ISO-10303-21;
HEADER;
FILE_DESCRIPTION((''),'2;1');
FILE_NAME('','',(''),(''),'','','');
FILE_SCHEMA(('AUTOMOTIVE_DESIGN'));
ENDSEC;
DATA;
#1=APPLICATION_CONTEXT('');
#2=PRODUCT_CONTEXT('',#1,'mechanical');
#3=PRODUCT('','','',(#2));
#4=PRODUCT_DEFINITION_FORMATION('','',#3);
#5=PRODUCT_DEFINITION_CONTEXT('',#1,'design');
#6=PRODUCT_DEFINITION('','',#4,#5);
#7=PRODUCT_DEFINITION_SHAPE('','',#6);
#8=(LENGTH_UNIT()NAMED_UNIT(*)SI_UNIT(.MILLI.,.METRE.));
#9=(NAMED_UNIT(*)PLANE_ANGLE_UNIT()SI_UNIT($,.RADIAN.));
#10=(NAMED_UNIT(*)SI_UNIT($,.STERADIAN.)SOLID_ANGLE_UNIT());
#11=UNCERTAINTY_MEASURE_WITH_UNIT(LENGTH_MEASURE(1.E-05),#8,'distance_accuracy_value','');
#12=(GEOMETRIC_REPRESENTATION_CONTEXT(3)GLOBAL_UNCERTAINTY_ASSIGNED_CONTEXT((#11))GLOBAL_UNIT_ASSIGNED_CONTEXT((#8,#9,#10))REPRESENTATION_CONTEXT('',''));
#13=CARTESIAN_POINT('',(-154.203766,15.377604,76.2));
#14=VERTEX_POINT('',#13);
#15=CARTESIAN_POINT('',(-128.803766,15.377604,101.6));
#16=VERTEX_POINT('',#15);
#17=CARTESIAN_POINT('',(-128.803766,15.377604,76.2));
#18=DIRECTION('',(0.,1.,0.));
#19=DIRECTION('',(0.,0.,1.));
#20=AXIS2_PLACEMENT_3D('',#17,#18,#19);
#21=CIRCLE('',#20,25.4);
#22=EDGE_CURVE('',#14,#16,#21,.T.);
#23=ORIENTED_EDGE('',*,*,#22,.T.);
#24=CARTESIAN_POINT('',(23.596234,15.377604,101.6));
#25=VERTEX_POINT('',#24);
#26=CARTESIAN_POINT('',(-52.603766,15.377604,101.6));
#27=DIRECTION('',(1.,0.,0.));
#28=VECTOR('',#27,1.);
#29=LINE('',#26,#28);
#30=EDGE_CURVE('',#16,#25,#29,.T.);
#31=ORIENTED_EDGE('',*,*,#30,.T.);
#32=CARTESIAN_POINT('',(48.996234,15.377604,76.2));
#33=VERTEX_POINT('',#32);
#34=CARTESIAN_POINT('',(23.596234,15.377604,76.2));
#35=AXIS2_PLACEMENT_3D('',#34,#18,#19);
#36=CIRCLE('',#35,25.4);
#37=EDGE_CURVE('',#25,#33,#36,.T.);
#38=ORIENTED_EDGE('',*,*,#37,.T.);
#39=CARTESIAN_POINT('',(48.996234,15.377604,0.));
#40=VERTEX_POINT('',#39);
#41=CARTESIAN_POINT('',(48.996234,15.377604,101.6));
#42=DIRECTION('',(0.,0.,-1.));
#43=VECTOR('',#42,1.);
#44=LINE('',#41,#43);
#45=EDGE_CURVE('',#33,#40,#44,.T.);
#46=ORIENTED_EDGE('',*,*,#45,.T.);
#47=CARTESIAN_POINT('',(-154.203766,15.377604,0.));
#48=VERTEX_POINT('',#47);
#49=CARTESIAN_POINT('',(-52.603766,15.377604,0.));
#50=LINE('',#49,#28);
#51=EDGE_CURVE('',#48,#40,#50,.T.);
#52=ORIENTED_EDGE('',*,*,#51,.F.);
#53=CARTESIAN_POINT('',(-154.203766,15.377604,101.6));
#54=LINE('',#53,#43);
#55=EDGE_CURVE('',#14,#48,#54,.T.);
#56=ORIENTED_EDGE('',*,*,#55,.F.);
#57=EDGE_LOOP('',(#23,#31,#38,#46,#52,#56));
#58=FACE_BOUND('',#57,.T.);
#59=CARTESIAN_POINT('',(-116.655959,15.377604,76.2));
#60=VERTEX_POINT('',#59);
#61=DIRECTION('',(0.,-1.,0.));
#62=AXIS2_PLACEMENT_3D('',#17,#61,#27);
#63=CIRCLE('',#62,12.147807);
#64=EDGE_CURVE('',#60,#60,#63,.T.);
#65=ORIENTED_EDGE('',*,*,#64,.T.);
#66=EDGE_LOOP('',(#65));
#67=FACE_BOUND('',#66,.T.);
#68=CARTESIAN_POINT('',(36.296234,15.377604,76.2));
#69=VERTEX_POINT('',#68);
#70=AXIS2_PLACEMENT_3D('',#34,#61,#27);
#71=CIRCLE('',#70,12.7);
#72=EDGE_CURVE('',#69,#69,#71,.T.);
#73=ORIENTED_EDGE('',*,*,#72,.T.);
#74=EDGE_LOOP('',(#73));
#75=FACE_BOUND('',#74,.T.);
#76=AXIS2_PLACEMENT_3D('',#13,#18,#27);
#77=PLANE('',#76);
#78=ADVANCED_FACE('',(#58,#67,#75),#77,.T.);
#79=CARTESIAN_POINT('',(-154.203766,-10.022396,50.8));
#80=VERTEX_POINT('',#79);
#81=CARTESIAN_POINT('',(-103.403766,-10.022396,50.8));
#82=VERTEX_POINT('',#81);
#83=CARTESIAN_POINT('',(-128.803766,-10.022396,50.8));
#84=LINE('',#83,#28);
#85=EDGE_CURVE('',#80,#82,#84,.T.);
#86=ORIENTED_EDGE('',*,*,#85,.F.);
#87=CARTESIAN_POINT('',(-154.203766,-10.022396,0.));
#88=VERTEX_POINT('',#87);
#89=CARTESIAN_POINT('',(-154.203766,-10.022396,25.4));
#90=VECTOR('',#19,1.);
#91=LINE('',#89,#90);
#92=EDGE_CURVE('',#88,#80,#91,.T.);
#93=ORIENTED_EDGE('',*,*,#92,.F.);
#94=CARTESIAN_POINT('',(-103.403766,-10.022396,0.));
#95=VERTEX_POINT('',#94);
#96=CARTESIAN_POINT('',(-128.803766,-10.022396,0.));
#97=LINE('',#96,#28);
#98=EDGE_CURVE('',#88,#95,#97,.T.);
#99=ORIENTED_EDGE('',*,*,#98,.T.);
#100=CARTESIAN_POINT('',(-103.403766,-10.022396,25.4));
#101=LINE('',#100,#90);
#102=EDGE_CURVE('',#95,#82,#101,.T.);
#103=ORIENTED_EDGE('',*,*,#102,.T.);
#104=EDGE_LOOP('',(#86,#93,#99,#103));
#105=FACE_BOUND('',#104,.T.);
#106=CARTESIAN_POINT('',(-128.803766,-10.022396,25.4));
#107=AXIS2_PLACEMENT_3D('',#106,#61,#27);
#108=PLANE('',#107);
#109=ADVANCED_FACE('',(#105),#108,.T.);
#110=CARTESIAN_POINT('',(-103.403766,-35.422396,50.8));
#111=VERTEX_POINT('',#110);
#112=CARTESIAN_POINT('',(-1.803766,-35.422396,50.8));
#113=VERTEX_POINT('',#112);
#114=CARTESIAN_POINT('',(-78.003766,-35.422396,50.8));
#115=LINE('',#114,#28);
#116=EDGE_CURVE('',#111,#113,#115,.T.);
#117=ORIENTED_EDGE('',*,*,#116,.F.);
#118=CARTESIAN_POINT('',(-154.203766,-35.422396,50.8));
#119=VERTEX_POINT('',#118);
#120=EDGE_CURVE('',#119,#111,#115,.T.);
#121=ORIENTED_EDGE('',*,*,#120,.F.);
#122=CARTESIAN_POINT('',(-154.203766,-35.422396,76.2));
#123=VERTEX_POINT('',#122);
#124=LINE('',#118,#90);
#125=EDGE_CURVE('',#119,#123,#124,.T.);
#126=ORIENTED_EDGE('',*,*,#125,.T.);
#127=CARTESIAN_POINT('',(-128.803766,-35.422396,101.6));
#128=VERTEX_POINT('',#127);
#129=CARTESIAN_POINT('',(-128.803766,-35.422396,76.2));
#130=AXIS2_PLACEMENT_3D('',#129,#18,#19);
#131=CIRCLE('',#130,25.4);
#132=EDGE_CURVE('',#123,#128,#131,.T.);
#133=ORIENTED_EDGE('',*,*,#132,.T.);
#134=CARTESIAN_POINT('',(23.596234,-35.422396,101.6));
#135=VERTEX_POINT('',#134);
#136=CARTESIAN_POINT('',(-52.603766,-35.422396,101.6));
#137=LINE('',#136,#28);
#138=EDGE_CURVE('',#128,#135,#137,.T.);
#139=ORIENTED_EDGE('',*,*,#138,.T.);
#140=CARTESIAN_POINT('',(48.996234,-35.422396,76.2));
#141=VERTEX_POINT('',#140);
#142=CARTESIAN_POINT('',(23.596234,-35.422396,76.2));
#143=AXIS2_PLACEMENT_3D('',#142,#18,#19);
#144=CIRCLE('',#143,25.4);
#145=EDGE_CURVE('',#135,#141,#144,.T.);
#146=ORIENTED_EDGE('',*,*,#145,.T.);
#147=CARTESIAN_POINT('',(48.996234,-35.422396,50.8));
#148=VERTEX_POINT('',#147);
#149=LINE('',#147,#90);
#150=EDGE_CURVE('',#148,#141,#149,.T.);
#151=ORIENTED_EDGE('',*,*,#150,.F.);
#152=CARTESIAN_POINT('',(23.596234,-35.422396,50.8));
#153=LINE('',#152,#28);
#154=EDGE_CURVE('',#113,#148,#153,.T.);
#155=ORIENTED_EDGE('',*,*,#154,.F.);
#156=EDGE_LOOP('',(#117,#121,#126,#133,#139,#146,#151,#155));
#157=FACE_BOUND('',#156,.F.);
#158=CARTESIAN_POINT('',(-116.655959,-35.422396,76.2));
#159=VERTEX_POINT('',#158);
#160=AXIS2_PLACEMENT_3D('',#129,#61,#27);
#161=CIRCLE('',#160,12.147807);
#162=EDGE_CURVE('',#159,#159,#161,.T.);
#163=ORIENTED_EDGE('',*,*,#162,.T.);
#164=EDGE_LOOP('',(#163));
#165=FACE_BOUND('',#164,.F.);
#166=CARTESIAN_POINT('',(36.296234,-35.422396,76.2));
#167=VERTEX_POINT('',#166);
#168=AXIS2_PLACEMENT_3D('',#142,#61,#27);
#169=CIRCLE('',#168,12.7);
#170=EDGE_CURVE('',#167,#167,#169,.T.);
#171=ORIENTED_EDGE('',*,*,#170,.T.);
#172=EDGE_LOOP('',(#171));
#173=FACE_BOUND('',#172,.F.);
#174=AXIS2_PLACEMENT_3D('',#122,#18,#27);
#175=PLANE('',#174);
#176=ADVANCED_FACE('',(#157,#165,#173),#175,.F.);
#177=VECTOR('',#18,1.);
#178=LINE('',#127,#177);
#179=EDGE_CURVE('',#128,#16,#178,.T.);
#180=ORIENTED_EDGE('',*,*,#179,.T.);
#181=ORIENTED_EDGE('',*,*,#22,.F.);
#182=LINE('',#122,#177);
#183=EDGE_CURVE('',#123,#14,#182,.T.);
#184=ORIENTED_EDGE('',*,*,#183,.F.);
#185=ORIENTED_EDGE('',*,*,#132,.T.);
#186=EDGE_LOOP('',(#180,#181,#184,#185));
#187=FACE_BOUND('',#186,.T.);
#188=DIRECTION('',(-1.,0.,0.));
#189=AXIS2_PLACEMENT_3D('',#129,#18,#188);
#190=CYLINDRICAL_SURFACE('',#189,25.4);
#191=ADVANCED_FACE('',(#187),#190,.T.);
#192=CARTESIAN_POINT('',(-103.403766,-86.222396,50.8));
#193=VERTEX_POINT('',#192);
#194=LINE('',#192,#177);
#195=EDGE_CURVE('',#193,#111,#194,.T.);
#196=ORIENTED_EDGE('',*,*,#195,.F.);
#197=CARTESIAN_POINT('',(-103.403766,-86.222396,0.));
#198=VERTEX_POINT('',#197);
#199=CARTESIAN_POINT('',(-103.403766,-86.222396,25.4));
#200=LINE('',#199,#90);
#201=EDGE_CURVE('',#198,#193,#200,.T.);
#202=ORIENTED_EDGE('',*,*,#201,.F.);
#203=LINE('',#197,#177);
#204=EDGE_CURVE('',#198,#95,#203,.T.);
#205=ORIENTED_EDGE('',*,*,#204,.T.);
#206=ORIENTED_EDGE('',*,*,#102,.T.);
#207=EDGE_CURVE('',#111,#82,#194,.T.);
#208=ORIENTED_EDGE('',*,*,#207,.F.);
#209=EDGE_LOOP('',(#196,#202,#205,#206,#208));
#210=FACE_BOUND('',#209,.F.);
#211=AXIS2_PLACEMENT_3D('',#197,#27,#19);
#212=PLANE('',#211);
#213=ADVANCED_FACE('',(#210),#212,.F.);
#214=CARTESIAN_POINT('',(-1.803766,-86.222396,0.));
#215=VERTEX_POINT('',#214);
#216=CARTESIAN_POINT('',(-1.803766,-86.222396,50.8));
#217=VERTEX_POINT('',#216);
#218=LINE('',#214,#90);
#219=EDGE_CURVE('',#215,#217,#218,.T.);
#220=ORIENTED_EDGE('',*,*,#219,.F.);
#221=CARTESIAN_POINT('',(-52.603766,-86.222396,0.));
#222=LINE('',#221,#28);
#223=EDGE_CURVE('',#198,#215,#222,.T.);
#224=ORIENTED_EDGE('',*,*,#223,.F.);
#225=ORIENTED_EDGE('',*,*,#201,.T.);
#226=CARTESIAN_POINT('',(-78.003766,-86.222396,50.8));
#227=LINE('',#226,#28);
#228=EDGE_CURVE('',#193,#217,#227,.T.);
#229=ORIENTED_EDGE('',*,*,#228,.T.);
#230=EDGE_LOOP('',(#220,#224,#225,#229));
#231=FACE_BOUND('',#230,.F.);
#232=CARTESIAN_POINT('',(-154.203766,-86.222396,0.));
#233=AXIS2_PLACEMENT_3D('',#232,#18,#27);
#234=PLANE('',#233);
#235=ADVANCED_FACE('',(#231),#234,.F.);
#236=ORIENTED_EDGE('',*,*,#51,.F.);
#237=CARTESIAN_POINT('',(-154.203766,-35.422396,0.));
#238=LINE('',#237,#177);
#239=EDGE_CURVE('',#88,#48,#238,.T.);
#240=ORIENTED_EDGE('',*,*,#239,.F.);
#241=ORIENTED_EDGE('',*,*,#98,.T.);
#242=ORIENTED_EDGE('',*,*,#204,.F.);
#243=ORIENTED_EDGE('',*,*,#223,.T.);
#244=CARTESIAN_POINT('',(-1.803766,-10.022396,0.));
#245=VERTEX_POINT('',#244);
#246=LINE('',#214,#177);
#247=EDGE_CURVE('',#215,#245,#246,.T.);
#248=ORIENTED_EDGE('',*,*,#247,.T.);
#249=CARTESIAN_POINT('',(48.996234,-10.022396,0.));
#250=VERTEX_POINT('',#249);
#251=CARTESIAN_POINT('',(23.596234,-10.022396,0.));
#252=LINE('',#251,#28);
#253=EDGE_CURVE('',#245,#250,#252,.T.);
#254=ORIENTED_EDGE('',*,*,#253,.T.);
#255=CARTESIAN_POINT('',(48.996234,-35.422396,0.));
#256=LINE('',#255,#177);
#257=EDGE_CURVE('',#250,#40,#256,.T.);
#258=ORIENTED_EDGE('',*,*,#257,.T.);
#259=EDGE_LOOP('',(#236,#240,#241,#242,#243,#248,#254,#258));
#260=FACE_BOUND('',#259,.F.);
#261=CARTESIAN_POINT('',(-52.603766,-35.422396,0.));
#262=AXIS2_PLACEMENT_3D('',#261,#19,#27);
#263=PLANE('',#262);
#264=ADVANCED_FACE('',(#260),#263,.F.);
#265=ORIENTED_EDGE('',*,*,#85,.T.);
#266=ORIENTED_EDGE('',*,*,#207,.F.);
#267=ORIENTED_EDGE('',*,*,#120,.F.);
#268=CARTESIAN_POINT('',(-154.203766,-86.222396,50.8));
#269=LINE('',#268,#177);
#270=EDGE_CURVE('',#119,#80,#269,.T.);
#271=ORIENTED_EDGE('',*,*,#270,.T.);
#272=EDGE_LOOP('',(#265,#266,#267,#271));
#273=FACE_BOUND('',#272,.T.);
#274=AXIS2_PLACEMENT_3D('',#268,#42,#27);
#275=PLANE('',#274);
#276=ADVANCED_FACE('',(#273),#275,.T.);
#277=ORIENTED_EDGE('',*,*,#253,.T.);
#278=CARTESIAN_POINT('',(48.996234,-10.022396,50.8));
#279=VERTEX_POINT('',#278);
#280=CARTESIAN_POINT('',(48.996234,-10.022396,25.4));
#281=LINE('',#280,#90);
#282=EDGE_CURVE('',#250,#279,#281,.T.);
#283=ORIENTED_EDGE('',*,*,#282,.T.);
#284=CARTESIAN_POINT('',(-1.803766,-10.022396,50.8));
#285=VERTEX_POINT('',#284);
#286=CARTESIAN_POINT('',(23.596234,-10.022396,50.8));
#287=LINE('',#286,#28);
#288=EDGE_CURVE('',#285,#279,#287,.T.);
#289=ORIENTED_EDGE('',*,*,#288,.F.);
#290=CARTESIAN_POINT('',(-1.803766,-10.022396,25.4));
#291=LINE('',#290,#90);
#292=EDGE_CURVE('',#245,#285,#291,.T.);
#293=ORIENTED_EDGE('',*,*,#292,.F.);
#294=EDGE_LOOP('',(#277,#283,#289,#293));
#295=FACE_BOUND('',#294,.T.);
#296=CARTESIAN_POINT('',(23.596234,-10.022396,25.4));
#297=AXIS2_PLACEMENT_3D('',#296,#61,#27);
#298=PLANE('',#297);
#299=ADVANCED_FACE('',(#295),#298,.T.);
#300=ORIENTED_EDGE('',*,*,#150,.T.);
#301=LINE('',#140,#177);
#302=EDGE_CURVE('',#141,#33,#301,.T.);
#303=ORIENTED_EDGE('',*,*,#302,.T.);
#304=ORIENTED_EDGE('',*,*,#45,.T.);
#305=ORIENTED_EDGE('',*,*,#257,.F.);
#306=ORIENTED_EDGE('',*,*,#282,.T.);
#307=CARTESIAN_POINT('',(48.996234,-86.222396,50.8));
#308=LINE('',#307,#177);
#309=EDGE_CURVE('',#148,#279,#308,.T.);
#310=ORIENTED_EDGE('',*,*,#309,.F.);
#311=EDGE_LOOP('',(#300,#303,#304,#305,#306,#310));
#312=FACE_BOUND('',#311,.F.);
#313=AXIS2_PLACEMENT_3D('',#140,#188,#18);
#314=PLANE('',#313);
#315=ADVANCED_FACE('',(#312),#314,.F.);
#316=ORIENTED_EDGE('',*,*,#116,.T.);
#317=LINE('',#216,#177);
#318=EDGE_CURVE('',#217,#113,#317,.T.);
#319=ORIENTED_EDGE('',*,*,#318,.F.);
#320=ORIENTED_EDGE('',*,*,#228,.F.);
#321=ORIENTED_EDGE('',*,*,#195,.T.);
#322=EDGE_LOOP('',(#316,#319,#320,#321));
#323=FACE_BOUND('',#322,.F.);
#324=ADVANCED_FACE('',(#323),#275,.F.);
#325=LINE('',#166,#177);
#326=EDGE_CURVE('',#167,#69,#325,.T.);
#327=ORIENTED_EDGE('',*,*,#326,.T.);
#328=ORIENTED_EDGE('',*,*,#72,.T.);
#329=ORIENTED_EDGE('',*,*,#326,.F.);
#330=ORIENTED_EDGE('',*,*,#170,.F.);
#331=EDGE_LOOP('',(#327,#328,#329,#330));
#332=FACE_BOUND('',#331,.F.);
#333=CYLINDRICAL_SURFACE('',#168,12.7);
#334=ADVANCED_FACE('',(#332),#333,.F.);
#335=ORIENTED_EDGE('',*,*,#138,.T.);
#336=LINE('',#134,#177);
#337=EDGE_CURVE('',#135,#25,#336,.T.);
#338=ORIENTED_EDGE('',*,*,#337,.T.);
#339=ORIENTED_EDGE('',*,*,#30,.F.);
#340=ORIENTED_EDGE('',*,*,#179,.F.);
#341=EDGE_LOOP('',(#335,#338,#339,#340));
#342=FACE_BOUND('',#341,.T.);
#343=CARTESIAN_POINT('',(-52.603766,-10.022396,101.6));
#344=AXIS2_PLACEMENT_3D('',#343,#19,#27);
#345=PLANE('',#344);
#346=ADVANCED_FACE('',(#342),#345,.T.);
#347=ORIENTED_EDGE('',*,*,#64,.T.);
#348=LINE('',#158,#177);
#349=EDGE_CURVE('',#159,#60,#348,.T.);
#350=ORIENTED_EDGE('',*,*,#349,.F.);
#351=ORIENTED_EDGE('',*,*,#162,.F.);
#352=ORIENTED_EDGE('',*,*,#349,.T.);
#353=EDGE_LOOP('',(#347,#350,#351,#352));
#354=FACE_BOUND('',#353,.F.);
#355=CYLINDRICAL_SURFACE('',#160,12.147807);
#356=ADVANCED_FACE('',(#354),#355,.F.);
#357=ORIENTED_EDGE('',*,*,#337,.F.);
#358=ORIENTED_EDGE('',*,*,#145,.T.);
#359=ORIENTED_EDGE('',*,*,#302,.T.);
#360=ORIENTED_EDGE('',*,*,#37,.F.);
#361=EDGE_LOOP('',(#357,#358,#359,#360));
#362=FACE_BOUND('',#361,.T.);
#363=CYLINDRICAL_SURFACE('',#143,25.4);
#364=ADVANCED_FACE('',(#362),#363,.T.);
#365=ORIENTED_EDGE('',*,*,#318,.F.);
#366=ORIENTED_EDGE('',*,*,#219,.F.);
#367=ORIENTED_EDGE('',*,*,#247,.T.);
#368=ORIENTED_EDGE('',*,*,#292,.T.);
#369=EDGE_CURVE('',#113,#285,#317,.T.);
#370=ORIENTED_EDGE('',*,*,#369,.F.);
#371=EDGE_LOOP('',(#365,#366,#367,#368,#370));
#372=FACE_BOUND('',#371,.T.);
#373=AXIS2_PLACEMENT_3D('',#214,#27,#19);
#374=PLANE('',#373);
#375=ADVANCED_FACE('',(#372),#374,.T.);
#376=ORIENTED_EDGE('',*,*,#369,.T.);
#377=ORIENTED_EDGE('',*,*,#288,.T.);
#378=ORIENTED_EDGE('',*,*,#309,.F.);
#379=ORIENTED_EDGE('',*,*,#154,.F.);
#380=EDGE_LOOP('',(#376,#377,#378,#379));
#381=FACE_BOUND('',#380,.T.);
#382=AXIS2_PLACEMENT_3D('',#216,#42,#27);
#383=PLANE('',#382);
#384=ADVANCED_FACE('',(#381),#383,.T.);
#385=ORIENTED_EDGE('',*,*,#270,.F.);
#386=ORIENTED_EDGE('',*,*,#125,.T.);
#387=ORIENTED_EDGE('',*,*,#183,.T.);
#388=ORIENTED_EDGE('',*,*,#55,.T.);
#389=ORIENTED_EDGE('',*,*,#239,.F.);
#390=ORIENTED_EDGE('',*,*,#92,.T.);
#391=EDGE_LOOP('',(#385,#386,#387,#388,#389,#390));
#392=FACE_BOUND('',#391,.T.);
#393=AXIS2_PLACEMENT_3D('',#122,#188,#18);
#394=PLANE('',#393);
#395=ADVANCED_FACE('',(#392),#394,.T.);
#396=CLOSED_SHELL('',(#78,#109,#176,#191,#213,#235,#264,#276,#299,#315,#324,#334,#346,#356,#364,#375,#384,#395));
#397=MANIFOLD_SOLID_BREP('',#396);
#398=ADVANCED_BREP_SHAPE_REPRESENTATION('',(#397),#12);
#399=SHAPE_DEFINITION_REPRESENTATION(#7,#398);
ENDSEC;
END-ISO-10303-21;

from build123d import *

# Parameters (mm, degrees)
F0_W      = 203.2
F0_H      = 101.6
F1_DEPTH  = 76.2
F2_W      = 50.8
F2_H      = 50.8
F3_DEPTH  = 76.2
F4_W      = 50.8
F4_H      = 25.4
F5_DEPTH  = 50.8
F6_W      = 152.4
F6_H      = 25.4
F7_DEPTH  = 50.8
F8_W      = 50.8
F8_H      = 50.8
F9_DEPTH  = 76.2
F10_W     = 203.2
F10_H     = 50.8
F11_DEPTH = 25.4
F12_R     = 25.4
F13_R     = 25.4
F14_R     = 12.147807
F15_DEPTH = 76.2
F16_R     = 12.7
F17_DEPTH = 50.801


with BuildPart() as f1:
    # F0 (on Top) → F1 (new body)
    with BuildSketch(Plane.XY):
        with Locations((-52.603766, -35.422396)):
            Rectangle(F0_W, F0_H)
    extrude(amount=F1_DEPTH)

    # F2 (on face) → F3 (cut)
    with BuildSketch(Plane.XZ.offset(86.222396)):
        with Locations((23.596234, 25.4)):
            Rectangle(F2_W, F2_H)
    extrude(amount=-F3_DEPTH, mode=Mode.SUBTRACT)

    # F4 (on face) → F5 (cut)
    with BuildSketch(Plane.XZ.offset(86.222396)):
        with Locations((23.596234, 63.5)):
            Rectangle(F4_W, F4_H)
    extrude(amount=-F5_DEPTH, mode=Mode.SUBTRACT)

    # F6 (on face) → F7 (cut)
    with BuildSketch(Plane.XZ.offset(86.222396)):
        with Locations((-78.003766, 63.5)):
            Rectangle(F6_W, F6_H)
    extrude(amount=-F7_DEPTH, mode=Mode.SUBTRACT)

    # F8 (on face) → F9 (cut)
    with BuildSketch(Plane.XZ.offset(86.222396)):
        with Locations((-128.803766, 25.4)):
            Rectangle(F8_W, F8_H)
    extrude(amount=-F9_DEPTH, mode=Mode.SUBTRACT)

    # F10 (on face) → F11 (join)
    with BuildSketch(Plane.XY.offset(76.2)):
        with Locations((-52.603766, -10.022396)):
            Rectangle(F10_W, F10_H)
    extrude(amount=F11_DEPTH)

    # F12
    f12_edges = [f1.edges().sort_by_distance(p)[0] for p in [
        (-154.203766, -10.022396, 101.6),
    ]]
    fillet(f12_edges, radius=F12_R)

    # F13
    f13_edges = [f1.edges().sort_by_distance(p)[0] for p in [
        (48.996234, -10.022396, 101.6),
    ]]
    fillet(f13_edges, radius=F13_R)

    # F14 (on face) → F15 (cut)
    with BuildSketch(Plane.XZ.offset(35.422396)):
        with Locations((-128.803766, 76.2)):
            Circle(F14_R)
    extrude(amount=-F15_DEPTH, mode=Mode.SUBTRACT)

    # F16 (on face) → F17 (cut, through all)
    with BuildSketch(Plane.XZ.offset(35.422396)):
        with Locations((23.596234, 76.2)):
            Circle(F16_R)
    extrude(amount=-F17_DEPTH, mode=Mode.SUBTRACT)


solid = f1.part
